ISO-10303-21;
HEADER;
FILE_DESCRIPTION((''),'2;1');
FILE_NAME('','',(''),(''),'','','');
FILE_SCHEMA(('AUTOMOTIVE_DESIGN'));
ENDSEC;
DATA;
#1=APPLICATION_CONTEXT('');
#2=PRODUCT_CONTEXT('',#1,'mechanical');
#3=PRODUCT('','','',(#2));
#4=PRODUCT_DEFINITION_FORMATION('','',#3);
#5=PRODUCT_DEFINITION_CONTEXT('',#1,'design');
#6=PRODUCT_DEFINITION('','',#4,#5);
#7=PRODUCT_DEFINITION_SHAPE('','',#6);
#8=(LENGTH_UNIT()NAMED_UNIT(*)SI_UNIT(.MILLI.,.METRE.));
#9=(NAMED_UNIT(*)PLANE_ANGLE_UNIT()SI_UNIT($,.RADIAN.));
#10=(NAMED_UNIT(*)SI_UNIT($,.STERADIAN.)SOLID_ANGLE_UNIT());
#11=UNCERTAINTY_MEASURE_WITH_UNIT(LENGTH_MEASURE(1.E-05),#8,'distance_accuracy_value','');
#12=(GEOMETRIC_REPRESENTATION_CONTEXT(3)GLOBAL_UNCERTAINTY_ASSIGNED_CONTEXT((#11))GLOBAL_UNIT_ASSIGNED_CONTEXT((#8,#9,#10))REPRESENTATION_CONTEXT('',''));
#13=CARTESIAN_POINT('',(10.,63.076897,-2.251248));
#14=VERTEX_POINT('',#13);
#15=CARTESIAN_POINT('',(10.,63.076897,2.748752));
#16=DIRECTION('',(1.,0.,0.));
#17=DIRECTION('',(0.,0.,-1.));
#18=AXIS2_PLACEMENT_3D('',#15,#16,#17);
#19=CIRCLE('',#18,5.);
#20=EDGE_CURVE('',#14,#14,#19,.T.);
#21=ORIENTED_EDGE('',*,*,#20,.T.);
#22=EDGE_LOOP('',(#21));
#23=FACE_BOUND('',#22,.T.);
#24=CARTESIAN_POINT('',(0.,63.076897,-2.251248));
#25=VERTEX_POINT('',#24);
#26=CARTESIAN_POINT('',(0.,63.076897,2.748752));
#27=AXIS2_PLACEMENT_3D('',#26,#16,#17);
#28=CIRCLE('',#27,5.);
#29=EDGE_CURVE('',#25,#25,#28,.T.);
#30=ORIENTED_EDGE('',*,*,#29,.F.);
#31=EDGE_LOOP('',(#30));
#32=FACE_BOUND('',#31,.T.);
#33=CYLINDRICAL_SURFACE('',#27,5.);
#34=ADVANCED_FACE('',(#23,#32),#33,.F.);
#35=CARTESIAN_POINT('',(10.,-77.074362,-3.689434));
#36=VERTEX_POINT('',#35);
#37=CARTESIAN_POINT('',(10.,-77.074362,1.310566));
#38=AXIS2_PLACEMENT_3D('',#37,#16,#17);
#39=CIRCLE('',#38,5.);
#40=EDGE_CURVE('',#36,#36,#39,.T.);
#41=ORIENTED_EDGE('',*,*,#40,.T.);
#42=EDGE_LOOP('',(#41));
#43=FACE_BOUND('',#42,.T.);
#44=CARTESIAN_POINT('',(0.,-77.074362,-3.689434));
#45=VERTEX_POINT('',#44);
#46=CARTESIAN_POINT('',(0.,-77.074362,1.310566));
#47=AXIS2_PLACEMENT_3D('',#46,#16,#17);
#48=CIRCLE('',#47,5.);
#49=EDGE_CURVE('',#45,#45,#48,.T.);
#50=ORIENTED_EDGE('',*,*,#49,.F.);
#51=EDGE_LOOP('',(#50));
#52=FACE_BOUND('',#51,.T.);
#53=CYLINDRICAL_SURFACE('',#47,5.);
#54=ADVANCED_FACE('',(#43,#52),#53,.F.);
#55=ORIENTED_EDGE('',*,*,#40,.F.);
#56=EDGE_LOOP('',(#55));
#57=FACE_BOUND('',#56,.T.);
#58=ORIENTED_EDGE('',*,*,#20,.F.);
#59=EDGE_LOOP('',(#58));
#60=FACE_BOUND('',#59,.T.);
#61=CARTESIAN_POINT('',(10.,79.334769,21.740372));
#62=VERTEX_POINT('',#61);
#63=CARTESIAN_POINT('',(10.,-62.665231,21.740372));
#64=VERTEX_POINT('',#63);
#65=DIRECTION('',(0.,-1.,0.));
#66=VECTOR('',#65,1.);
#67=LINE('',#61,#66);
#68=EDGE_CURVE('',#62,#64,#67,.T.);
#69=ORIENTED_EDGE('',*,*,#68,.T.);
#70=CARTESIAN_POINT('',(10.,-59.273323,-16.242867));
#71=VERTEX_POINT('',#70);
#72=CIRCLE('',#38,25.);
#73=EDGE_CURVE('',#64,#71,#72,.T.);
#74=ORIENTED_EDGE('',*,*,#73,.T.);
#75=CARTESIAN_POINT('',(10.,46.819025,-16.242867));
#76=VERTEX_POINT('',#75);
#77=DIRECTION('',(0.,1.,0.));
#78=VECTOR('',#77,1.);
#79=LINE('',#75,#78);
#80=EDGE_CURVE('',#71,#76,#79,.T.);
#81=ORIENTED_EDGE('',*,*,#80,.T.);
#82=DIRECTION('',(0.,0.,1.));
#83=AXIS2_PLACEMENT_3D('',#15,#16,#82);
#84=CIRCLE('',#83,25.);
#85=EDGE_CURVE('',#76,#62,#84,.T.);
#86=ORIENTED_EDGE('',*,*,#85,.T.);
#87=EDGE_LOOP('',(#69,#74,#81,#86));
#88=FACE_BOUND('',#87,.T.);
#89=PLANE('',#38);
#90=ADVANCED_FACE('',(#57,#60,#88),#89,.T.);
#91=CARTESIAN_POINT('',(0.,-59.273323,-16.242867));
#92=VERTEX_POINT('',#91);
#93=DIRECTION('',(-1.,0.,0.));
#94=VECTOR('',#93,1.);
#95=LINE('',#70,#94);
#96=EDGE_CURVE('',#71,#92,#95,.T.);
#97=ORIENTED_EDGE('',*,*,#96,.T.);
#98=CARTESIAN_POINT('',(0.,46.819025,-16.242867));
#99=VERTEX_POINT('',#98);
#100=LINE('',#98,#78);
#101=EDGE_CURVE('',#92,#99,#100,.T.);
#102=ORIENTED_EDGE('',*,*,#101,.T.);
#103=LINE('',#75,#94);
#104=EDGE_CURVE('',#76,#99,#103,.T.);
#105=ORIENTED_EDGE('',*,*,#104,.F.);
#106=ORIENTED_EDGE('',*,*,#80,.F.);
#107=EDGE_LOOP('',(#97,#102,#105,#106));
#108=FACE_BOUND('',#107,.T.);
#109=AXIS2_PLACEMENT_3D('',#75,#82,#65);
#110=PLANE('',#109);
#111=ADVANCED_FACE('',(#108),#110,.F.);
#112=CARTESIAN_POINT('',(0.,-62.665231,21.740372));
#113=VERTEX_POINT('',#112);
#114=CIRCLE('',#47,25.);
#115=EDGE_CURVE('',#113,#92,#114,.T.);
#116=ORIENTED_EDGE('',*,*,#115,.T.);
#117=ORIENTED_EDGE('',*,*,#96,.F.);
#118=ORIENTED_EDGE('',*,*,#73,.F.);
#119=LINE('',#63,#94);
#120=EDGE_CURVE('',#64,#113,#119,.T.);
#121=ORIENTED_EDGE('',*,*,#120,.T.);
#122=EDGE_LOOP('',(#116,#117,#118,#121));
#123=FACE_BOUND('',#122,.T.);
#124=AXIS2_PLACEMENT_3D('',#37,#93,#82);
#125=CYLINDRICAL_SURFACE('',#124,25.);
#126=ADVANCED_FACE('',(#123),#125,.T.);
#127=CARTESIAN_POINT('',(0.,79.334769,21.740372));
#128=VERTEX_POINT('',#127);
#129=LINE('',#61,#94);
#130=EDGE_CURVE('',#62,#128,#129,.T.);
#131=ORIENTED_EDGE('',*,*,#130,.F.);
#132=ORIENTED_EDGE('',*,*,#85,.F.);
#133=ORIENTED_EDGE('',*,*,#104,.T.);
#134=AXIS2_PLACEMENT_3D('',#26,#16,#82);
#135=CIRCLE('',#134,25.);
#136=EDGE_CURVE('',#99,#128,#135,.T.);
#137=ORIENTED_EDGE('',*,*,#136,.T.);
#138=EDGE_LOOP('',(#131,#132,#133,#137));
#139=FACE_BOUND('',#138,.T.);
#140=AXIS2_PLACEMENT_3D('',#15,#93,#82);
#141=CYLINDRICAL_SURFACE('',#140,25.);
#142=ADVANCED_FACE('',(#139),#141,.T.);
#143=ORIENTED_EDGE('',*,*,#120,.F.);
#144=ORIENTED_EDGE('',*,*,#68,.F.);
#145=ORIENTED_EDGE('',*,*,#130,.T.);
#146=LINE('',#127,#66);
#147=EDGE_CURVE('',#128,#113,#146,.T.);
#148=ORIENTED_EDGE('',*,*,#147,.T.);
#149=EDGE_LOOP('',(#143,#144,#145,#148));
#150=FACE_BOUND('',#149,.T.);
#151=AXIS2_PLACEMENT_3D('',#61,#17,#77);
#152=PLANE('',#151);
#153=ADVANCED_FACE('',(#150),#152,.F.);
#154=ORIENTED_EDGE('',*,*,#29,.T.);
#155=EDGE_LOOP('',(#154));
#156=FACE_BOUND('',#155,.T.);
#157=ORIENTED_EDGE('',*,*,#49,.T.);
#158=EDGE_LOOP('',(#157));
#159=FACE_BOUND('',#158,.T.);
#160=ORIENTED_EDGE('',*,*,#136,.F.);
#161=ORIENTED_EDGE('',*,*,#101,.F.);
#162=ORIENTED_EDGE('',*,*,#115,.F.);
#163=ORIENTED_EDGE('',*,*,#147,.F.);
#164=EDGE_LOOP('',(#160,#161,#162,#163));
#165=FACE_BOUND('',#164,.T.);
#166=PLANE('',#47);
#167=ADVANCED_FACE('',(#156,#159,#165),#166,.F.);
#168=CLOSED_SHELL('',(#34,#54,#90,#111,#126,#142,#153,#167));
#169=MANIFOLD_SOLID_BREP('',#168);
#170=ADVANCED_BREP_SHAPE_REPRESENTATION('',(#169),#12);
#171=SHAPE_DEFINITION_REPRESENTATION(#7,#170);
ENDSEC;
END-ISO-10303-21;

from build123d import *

# Parameters (mm, degrees)
BOSS_EXTRUDE1_DEPTH = 10
SKETCH2_R           = 5
CUT_EXTRUDE1_DEPTH  = 10


with BuildPart() as part:
    # Sketch1 → Boss-Extrude1 (new body)
    with BuildSketch(Plane(origin=(0, 0, 0), x_dir=(0, 0, -1), z_dir=(1, 0, 0))):
        with BuildLine():
            Line((-21.740371833, 79.334768558), (-21.740371833, -62.665231442))
            ThreePointArc((-21.740371833, -62.665231442), (0.913088354, -101.975272876), (16.2428669, -59.273323206))
            Line((16.2428669, -59.273323206), (16.2428669, 46.819025058))
            ThreePointArc((16.2428669, 46.819025058), (13.509119284, 82.068516174), (-21.740371833, 79.334768558))
        make_face()
    extrude(amount=BOSS_EXTRUDE1_DEPTH)

    # Sketch2 → Cut-Extrude1 (cut)
    with BuildSketch(Plane(origin=(10, 0, 0), x_dir=(0, 0, -1), z_dir=(1, 0, 0))):
        with Locations((-2.748752466, 63.076896808)):
            Circle(SKETCH2_R)
        with Locations((-1.310566273, -77.074362047)):
            Circle(SKETCH2_R)
    extrude(amount=-CUT_EXTRUDE1_DEPTH, mode=Mode.SUBTRACT)


solid = part.part
